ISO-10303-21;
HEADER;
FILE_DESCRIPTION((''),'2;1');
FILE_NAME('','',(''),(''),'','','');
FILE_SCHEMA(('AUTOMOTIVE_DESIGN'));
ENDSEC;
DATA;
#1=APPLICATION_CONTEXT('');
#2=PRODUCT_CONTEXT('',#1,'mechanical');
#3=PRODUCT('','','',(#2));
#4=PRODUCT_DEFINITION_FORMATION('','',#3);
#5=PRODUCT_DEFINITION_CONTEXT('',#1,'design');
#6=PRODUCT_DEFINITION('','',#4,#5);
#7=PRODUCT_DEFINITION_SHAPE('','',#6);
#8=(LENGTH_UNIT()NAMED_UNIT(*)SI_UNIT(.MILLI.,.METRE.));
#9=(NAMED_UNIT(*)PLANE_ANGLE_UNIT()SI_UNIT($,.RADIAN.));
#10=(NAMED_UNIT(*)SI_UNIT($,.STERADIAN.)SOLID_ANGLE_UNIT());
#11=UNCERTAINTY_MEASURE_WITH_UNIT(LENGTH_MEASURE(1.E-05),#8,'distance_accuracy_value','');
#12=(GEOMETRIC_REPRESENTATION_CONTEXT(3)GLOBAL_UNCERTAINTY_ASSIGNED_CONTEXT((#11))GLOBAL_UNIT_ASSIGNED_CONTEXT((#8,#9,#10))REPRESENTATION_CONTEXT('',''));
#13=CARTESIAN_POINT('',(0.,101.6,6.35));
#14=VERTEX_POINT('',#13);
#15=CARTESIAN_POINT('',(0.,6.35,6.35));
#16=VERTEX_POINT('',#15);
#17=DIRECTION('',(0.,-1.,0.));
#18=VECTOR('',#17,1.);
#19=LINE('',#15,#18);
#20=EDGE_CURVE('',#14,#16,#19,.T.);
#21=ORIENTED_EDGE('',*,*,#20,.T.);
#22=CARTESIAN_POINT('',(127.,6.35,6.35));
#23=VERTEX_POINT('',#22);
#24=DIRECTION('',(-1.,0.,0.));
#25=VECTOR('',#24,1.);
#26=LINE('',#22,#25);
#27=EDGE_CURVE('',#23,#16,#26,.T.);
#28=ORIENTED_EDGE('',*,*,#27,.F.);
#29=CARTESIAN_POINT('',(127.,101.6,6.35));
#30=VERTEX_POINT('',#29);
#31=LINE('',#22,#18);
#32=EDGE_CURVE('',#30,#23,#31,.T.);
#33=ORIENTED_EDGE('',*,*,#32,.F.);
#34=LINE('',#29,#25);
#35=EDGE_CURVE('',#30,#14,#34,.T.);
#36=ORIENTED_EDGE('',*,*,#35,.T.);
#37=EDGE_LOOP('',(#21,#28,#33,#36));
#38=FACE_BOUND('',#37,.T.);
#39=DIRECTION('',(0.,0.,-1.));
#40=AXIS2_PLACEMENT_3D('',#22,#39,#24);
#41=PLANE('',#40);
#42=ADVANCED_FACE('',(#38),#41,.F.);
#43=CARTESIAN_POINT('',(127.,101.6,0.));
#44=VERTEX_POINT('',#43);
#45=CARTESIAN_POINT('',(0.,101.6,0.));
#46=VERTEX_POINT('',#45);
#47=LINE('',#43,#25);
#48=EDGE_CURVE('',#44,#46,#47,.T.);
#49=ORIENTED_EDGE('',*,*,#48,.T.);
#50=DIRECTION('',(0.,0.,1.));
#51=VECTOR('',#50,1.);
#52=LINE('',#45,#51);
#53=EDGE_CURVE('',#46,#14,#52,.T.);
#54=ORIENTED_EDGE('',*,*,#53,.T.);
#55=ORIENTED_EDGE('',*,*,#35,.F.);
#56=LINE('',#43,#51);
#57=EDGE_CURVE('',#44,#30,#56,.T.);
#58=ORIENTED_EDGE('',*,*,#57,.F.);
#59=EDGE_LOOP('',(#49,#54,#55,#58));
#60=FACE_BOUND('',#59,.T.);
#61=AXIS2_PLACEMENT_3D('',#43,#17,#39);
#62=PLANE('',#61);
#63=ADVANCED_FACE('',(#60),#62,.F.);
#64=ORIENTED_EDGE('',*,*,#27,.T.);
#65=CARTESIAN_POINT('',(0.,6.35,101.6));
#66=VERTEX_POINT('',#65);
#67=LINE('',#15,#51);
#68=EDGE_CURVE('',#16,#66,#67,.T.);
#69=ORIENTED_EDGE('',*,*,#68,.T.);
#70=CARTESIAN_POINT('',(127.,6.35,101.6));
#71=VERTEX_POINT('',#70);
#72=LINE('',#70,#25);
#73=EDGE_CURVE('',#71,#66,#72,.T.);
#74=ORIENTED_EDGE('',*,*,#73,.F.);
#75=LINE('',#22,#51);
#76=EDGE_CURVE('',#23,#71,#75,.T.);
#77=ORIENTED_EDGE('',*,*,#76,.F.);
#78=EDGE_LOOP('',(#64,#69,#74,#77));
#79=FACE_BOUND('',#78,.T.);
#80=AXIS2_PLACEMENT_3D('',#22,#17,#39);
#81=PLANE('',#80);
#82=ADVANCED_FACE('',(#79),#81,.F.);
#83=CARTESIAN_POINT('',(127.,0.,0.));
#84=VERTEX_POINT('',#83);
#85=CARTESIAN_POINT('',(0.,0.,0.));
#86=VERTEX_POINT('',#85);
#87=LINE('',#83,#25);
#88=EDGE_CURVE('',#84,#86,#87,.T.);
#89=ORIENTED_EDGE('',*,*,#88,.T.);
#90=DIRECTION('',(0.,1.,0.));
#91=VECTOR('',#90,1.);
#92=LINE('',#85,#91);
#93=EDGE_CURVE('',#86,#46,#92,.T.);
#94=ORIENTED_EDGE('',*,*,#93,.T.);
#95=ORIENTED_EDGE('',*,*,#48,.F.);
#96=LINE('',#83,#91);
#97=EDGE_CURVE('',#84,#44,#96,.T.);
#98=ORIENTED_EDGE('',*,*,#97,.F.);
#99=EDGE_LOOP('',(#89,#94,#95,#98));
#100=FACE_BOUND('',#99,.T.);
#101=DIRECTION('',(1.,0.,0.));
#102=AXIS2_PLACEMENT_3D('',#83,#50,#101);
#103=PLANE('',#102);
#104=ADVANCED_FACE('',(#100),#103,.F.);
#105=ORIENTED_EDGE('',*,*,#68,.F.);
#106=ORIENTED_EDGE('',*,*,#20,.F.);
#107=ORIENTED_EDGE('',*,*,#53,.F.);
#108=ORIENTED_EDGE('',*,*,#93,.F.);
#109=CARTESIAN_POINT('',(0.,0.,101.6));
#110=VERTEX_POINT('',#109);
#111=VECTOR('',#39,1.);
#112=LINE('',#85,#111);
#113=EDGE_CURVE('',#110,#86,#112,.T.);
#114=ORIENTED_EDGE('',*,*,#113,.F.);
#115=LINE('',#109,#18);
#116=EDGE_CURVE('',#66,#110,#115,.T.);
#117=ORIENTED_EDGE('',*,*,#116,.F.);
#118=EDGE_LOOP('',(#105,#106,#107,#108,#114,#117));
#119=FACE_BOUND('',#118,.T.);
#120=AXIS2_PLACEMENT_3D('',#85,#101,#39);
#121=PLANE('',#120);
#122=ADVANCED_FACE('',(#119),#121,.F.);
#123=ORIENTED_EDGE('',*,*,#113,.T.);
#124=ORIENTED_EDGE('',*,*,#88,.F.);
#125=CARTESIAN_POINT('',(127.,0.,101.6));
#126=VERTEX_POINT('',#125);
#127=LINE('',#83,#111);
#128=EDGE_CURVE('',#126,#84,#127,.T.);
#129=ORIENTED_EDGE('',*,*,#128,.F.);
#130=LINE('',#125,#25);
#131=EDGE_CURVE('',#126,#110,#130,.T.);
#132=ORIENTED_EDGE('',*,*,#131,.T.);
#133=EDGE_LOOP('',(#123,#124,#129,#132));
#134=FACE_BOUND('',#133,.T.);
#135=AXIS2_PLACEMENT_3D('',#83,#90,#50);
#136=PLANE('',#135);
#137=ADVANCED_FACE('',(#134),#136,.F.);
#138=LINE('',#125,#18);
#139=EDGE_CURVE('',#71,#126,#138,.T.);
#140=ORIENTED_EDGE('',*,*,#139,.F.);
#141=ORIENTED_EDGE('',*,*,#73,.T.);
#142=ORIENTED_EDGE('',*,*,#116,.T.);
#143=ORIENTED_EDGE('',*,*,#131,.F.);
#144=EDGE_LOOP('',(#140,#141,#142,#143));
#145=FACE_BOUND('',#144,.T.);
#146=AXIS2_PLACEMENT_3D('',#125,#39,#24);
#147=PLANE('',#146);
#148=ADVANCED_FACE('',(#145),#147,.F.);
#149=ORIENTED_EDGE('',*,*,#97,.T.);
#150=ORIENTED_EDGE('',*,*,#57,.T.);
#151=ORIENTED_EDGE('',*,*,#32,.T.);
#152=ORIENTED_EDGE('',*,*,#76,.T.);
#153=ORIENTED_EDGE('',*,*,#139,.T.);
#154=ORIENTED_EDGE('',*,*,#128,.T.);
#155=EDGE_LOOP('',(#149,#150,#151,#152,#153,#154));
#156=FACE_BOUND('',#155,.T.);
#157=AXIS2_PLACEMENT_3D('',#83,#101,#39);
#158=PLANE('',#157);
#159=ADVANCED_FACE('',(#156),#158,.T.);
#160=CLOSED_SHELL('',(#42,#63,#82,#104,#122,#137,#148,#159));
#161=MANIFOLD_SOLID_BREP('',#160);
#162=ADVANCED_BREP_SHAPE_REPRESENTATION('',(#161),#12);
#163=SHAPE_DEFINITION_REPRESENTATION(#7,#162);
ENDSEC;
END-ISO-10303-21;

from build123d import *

# Parameters (mm, degrees)
BOSS_EXTRUDE1_DEPTH = 127


with BuildPart() as part:
    # Sketch2 → Boss-Extrude1 (new body)
    with BuildSketch(Plane(origin=(0, 0, 0), x_dir=(0, 0, -1), z_dir=(1, 0, 0))):
        Polygon((0, 0), (-101.6, 0), (-101.6, 6.35), (-6.35, 6.35), (-6.35, 101.6), (0, 101.6), align=None)
    extrude(amount=BOSS_EXTRUDE1_DEPTH)


solid = part.part
